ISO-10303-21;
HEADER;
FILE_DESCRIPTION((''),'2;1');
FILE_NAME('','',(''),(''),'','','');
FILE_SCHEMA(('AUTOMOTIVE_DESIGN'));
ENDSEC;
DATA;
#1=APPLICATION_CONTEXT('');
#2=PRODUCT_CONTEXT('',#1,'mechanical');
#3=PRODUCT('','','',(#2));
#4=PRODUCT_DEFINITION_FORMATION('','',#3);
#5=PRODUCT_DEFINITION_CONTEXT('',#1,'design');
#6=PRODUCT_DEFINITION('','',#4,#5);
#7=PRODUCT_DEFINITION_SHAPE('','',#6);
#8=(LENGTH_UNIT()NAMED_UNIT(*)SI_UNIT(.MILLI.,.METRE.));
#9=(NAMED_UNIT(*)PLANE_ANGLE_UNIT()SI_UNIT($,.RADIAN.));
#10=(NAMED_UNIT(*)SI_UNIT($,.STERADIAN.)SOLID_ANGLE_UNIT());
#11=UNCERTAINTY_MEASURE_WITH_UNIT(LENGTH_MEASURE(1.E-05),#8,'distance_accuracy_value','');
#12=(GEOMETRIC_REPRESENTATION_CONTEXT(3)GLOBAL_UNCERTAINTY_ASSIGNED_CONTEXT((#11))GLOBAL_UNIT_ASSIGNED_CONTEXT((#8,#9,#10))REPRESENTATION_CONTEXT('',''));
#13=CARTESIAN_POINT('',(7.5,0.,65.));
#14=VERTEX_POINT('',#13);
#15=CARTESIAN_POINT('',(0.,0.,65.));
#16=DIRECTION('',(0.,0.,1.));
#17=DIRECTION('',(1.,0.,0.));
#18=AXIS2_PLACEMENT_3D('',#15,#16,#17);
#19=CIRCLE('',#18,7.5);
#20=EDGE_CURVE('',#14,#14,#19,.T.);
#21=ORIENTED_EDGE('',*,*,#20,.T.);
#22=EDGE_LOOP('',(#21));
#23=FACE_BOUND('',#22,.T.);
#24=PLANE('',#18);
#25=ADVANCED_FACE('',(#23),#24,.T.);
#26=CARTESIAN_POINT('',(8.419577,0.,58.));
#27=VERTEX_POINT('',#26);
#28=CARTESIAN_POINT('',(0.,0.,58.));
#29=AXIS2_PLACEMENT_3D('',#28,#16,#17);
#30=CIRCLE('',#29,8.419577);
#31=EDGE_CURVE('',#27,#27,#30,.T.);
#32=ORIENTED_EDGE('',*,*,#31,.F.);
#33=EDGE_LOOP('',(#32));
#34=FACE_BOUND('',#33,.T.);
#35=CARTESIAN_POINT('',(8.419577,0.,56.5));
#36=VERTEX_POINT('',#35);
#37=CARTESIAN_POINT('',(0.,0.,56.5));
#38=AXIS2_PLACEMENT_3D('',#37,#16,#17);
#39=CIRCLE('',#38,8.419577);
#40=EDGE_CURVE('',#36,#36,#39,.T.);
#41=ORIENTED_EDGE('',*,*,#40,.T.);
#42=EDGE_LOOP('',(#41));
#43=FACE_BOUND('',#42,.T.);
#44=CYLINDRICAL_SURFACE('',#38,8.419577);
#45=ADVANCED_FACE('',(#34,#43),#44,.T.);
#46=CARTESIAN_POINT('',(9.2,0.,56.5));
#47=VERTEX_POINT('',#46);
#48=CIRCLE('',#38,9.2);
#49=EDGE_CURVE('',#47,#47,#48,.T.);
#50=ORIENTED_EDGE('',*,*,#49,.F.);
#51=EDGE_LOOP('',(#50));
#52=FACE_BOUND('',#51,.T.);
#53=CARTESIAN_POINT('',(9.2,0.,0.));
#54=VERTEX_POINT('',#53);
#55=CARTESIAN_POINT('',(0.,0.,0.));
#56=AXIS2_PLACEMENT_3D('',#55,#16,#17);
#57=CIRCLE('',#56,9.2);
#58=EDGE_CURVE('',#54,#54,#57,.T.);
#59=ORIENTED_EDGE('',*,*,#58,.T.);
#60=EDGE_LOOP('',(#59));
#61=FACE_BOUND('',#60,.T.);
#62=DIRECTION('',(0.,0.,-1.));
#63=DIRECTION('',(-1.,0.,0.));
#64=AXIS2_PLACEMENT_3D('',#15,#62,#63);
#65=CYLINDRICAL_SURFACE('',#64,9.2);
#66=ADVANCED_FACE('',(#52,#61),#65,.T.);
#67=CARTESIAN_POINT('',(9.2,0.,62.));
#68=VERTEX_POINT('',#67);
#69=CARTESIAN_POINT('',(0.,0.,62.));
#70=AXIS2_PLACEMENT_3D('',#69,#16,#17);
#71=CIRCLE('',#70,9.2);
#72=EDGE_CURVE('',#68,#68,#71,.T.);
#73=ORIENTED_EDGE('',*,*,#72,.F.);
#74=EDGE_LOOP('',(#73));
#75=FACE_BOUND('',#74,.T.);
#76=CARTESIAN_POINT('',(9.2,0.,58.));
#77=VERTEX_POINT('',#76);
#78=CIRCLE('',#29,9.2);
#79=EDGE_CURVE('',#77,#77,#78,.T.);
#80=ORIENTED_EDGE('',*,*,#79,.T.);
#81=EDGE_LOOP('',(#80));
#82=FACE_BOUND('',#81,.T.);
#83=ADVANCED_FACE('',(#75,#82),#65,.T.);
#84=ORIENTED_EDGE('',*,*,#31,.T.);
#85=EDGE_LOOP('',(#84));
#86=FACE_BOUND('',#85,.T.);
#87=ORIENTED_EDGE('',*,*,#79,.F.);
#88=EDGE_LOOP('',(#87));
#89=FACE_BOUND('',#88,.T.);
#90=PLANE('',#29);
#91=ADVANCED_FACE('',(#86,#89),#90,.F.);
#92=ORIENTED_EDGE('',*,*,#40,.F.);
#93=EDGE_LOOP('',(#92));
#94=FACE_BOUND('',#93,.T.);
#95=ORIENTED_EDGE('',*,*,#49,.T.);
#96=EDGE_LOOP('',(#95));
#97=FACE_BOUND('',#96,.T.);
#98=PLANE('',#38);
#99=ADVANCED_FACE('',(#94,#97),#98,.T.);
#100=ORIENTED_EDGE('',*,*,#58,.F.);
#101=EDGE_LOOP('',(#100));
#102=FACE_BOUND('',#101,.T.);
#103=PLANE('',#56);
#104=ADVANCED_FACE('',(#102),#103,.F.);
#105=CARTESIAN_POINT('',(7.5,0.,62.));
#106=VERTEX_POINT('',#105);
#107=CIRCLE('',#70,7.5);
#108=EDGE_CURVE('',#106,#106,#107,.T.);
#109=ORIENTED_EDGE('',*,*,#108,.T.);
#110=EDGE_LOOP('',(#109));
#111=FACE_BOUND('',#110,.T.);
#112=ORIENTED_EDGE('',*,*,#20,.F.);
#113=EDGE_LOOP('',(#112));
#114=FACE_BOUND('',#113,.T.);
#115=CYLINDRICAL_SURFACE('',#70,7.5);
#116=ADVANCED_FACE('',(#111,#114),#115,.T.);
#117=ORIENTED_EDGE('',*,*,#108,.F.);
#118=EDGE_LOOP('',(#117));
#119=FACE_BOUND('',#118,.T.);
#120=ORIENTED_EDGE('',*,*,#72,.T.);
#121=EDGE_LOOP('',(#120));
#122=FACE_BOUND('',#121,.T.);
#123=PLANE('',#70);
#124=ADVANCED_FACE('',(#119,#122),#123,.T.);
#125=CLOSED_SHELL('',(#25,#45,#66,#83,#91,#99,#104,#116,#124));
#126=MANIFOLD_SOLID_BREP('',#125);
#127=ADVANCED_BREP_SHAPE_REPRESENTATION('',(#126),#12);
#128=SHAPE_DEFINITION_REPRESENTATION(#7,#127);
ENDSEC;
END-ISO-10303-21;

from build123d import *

# Parameters (mm, degrees)
SKETCH1_R           = 9.2
BOSS_EXTRUDE1_DEPTH = 65
CUT_EXTRUDE2_START  = -3
SKETCH2_R           = 9.2
SKETCH2_R_2         = 7.5
CUT_EXTRUDE2_DEPTH  = 3
CUT_EXTRUDE3_START  = -1.5
SKETCH3_R           = 9.2
SKETCH3_R_2         = 8.419577465
CUT_EXTRUDE3_DEPTH  = 1.5


with BuildPart() as part:
    # Sketch1 → Boss-Extrude1 (new body)
    with BuildSketch(Plane.XY):
        Circle(SKETCH1_R)
    extrude(amount=BOSS_EXTRUDE1_DEPTH)

    # Sketch2 → Cut-Extrude2 (cut)
    with BuildSketch(Plane.XY.offset(65).offset(CUT_EXTRUDE2_START)):
        Circle(SKETCH2_R)
        Circle(SKETCH2_R_2, mode=Mode.SUBTRACT)
    extrude(amount=CUT_EXTRUDE2_DEPTH, mode=Mode.SUBTRACT)

    # Sketch3 → Cut-Extrude3 (cut)
    with BuildSketch(Plane.XY.offset(58).offset(CUT_EXTRUDE3_START)):
        Circle(SKETCH3_R)
        Circle(SKETCH3_R_2, mode=Mode.SUBTRACT)
    extrude(amount=CUT_EXTRUDE3_DEPTH, mode=Mode.SUBTRACT)


solid = part.part
